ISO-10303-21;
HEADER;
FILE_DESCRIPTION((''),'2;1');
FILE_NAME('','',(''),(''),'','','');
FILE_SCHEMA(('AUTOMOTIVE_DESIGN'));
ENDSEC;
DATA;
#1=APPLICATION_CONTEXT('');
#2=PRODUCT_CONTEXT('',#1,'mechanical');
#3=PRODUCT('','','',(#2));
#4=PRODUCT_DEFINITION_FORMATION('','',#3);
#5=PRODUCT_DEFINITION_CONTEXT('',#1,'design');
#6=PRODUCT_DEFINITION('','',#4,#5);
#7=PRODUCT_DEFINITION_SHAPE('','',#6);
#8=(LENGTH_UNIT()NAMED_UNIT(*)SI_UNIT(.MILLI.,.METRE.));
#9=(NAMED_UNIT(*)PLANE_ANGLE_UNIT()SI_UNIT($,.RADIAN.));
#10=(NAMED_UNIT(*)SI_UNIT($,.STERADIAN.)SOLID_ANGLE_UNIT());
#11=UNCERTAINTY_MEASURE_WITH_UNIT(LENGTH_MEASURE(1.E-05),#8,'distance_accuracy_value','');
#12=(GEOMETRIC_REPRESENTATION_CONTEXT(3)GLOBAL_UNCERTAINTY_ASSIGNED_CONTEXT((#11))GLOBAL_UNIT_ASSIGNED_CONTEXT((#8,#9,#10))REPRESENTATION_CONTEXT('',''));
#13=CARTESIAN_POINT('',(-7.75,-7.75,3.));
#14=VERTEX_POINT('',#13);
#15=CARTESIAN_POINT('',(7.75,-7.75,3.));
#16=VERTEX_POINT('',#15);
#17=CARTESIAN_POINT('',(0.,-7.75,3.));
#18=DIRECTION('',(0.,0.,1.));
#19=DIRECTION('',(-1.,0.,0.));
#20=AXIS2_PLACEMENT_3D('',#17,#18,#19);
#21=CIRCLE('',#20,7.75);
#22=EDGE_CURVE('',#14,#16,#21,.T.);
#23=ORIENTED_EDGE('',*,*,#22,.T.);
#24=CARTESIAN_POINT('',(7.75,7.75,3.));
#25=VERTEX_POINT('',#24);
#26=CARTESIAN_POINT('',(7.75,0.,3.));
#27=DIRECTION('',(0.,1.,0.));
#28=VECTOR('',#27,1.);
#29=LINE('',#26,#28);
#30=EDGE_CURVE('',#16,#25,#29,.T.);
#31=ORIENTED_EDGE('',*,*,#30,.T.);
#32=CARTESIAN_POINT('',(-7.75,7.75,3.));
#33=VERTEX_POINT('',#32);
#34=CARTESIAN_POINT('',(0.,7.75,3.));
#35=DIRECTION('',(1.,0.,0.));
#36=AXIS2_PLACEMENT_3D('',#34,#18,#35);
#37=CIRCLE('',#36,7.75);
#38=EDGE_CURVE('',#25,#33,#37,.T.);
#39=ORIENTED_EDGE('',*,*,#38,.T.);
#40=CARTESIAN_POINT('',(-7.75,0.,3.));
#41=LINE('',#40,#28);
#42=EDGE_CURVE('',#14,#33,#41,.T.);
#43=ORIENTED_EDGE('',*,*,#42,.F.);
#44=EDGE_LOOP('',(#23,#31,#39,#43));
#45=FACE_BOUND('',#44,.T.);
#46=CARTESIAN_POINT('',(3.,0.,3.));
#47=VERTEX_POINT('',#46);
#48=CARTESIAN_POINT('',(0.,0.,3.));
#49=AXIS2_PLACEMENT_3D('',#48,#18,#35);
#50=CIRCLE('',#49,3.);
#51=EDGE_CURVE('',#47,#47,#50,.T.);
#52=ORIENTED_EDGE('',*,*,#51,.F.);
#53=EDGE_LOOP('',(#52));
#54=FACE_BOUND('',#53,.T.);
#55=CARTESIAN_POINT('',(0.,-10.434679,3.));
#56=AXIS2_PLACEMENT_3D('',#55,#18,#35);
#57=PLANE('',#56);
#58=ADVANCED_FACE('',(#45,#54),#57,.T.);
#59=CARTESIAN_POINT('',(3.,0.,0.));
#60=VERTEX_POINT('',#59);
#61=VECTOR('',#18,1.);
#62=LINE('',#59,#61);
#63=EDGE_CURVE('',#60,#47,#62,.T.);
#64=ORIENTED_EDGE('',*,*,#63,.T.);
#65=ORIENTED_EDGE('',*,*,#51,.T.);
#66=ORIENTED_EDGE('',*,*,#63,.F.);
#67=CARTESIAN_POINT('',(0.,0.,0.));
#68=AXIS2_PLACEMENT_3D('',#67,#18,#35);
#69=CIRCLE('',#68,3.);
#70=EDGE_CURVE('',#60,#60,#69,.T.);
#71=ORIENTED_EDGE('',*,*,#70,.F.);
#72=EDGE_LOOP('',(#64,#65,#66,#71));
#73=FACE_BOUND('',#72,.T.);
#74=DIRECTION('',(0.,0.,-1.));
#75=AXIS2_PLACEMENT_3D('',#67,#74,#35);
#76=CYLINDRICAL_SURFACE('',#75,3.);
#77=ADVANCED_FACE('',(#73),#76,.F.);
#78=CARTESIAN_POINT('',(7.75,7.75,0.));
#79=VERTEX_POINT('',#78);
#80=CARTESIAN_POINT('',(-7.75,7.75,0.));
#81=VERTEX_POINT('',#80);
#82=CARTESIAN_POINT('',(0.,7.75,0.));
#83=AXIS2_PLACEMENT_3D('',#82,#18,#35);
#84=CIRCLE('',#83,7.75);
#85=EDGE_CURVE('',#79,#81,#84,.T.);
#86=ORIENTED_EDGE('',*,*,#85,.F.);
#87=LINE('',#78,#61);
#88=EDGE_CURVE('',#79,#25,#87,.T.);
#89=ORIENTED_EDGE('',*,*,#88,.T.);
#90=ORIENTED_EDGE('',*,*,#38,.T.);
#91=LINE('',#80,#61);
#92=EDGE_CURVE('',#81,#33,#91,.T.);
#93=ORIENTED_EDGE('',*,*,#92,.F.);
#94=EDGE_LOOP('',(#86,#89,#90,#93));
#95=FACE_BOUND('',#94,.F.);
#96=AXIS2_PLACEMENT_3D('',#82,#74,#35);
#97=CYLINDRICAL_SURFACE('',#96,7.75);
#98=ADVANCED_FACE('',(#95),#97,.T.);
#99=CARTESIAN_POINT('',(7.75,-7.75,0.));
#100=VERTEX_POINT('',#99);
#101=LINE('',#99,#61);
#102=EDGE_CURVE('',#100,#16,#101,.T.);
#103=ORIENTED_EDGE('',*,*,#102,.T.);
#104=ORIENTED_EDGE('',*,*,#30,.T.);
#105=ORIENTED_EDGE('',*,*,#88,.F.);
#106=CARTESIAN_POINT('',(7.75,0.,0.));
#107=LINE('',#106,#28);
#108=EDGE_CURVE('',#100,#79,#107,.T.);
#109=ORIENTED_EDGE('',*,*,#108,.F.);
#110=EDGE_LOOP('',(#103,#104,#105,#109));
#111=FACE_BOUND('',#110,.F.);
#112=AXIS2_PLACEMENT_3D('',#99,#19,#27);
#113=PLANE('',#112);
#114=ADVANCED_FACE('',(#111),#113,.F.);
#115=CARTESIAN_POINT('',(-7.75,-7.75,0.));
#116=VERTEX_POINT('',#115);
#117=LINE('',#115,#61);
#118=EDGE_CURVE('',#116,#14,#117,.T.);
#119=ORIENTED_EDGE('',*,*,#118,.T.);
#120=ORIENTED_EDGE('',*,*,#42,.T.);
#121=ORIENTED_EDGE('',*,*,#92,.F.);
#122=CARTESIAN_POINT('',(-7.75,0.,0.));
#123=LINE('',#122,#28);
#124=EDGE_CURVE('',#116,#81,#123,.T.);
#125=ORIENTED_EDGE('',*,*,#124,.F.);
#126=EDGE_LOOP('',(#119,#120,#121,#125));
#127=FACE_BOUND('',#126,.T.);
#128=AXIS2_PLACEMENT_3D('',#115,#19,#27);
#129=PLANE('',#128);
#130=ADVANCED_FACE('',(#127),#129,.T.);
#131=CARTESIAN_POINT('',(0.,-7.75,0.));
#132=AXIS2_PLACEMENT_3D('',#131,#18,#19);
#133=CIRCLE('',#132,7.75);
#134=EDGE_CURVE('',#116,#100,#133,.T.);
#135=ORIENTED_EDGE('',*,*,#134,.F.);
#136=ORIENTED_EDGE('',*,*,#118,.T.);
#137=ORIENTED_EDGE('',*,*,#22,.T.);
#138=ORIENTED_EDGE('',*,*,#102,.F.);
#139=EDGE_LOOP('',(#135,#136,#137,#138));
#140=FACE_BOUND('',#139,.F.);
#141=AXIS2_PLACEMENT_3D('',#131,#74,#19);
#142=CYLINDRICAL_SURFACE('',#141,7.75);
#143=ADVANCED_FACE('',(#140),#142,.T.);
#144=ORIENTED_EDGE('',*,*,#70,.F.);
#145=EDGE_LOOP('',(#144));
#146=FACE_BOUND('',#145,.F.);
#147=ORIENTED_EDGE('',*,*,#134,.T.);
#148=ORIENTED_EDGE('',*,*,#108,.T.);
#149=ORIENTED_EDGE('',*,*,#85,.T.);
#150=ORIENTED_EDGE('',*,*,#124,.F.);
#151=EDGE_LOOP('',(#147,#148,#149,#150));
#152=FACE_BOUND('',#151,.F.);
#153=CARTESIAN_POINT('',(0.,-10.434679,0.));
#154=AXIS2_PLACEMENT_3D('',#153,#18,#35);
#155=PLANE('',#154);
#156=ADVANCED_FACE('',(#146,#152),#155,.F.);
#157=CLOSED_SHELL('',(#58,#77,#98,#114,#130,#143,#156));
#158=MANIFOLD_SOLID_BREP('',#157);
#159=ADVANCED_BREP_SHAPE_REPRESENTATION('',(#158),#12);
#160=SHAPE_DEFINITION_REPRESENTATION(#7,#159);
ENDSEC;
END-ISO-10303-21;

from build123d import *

# Parameters (mm, degrees)
F0_W     = 15.5
F0_H     = 15.5
F0_R     = 3
F1_DEPTH = 3


with BuildPart() as f1:
    # F0 (on Top) → F1 (new body)
    with BuildSketch(Plane.XY):
        with BuildLine():
            ThreePointArc((-7.75, -7.75), (0, -15.5), (7.75, -7.75))
            Line((7.75, -7.75), (-7.75, -7.75))
        make_face()
        Rectangle(F0_W, F0_H)
        Circle(F0_R, mode=Mode.SUBTRACT)
        with BuildLine():
            Line((-7.75, 7.75), (7.75, 7.75))
            ThreePointArc((7.75, 7.75), (0, 15.5), (-7.75, 7.75))
        make_face()
    extrude(amount=F1_DEPTH)


solid = f1.part
